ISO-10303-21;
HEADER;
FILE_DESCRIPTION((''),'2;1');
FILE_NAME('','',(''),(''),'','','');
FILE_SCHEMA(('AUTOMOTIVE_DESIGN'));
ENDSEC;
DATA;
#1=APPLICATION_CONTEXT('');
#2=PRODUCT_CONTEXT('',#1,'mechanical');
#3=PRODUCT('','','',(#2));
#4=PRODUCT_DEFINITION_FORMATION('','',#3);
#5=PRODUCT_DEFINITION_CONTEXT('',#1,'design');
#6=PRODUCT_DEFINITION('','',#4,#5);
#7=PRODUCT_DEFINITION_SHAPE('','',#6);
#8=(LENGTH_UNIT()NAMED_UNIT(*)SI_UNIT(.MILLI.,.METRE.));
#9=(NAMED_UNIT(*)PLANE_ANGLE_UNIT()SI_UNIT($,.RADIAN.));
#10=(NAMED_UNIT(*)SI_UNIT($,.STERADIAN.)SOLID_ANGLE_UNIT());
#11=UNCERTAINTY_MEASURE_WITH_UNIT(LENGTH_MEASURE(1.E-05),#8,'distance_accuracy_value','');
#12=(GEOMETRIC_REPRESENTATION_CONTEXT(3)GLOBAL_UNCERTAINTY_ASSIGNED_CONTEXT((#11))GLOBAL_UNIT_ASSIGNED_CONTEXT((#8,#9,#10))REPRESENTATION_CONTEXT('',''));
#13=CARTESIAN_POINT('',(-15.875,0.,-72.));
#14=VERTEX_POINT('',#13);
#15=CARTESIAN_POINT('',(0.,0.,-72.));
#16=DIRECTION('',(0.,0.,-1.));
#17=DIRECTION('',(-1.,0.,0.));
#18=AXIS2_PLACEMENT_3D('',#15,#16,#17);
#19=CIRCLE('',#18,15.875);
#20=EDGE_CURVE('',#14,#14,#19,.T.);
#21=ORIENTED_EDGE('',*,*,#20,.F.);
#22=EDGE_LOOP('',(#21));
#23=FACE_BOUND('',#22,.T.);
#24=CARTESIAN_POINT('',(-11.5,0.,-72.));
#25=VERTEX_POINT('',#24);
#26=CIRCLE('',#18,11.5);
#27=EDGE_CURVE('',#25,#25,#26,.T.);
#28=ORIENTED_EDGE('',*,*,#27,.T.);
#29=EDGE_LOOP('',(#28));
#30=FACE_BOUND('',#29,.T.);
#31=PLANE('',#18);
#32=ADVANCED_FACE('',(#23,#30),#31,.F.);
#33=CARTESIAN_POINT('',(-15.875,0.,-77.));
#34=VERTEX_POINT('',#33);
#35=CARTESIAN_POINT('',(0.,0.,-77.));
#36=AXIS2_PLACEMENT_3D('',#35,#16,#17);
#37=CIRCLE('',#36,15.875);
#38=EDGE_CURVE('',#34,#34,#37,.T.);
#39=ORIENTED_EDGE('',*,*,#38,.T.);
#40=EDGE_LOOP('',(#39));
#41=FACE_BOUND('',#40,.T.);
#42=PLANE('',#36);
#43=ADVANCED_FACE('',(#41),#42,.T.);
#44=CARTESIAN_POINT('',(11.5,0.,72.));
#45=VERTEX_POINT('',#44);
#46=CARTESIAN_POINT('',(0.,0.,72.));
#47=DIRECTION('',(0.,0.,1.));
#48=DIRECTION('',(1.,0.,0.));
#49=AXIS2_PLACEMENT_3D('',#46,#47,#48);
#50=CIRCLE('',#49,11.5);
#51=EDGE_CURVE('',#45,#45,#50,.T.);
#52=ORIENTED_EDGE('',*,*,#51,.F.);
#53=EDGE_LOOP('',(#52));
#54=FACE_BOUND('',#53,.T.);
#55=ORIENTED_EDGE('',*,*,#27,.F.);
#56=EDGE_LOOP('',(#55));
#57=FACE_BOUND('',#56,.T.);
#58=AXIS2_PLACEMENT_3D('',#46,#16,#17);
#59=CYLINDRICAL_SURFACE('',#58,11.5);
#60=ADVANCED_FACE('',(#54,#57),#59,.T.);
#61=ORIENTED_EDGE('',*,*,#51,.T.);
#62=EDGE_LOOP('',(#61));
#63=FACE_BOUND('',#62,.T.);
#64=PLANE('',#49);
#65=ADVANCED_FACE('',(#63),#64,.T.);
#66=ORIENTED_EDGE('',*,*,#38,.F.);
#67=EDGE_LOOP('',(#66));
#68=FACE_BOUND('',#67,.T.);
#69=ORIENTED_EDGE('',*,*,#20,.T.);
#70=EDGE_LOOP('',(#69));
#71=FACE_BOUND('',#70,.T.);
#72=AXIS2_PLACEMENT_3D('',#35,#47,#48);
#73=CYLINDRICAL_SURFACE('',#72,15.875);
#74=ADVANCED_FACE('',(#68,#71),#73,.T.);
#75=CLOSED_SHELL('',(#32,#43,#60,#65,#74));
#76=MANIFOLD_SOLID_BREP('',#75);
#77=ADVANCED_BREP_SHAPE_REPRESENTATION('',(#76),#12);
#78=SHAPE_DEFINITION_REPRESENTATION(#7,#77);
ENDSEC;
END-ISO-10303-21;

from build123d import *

# Parameters (mm, degrees)
CROQUIS1_R              = 11.5
SALIENTE_EXTRUIR1_DEPTH = 72
CROQUIS2_R              = 15.875
SALIENTE_EXTRUIR2_DEPTH = 5


with BuildPart() as part:
    # Croquis1 → Saliente-Extruir1 (new, symmetric)
    with BuildSketch(Plane.XY):
        Circle(CROQUIS1_R)
    extrude(amount=SALIENTE_EXTRUIR1_DEPTH, both=True)

    # Croquis2 → Saliente-Extruir2 (add)
    with BuildSketch(Plane(origin=(0, 0, -72), x_dir=(-1, 0, 0), z_dir=(0, 0, -1))):
        Circle(CROQUIS2_R)
    extrude(amount=SALIENTE_EXTRUIR2_DEPTH)


solid = part.part
